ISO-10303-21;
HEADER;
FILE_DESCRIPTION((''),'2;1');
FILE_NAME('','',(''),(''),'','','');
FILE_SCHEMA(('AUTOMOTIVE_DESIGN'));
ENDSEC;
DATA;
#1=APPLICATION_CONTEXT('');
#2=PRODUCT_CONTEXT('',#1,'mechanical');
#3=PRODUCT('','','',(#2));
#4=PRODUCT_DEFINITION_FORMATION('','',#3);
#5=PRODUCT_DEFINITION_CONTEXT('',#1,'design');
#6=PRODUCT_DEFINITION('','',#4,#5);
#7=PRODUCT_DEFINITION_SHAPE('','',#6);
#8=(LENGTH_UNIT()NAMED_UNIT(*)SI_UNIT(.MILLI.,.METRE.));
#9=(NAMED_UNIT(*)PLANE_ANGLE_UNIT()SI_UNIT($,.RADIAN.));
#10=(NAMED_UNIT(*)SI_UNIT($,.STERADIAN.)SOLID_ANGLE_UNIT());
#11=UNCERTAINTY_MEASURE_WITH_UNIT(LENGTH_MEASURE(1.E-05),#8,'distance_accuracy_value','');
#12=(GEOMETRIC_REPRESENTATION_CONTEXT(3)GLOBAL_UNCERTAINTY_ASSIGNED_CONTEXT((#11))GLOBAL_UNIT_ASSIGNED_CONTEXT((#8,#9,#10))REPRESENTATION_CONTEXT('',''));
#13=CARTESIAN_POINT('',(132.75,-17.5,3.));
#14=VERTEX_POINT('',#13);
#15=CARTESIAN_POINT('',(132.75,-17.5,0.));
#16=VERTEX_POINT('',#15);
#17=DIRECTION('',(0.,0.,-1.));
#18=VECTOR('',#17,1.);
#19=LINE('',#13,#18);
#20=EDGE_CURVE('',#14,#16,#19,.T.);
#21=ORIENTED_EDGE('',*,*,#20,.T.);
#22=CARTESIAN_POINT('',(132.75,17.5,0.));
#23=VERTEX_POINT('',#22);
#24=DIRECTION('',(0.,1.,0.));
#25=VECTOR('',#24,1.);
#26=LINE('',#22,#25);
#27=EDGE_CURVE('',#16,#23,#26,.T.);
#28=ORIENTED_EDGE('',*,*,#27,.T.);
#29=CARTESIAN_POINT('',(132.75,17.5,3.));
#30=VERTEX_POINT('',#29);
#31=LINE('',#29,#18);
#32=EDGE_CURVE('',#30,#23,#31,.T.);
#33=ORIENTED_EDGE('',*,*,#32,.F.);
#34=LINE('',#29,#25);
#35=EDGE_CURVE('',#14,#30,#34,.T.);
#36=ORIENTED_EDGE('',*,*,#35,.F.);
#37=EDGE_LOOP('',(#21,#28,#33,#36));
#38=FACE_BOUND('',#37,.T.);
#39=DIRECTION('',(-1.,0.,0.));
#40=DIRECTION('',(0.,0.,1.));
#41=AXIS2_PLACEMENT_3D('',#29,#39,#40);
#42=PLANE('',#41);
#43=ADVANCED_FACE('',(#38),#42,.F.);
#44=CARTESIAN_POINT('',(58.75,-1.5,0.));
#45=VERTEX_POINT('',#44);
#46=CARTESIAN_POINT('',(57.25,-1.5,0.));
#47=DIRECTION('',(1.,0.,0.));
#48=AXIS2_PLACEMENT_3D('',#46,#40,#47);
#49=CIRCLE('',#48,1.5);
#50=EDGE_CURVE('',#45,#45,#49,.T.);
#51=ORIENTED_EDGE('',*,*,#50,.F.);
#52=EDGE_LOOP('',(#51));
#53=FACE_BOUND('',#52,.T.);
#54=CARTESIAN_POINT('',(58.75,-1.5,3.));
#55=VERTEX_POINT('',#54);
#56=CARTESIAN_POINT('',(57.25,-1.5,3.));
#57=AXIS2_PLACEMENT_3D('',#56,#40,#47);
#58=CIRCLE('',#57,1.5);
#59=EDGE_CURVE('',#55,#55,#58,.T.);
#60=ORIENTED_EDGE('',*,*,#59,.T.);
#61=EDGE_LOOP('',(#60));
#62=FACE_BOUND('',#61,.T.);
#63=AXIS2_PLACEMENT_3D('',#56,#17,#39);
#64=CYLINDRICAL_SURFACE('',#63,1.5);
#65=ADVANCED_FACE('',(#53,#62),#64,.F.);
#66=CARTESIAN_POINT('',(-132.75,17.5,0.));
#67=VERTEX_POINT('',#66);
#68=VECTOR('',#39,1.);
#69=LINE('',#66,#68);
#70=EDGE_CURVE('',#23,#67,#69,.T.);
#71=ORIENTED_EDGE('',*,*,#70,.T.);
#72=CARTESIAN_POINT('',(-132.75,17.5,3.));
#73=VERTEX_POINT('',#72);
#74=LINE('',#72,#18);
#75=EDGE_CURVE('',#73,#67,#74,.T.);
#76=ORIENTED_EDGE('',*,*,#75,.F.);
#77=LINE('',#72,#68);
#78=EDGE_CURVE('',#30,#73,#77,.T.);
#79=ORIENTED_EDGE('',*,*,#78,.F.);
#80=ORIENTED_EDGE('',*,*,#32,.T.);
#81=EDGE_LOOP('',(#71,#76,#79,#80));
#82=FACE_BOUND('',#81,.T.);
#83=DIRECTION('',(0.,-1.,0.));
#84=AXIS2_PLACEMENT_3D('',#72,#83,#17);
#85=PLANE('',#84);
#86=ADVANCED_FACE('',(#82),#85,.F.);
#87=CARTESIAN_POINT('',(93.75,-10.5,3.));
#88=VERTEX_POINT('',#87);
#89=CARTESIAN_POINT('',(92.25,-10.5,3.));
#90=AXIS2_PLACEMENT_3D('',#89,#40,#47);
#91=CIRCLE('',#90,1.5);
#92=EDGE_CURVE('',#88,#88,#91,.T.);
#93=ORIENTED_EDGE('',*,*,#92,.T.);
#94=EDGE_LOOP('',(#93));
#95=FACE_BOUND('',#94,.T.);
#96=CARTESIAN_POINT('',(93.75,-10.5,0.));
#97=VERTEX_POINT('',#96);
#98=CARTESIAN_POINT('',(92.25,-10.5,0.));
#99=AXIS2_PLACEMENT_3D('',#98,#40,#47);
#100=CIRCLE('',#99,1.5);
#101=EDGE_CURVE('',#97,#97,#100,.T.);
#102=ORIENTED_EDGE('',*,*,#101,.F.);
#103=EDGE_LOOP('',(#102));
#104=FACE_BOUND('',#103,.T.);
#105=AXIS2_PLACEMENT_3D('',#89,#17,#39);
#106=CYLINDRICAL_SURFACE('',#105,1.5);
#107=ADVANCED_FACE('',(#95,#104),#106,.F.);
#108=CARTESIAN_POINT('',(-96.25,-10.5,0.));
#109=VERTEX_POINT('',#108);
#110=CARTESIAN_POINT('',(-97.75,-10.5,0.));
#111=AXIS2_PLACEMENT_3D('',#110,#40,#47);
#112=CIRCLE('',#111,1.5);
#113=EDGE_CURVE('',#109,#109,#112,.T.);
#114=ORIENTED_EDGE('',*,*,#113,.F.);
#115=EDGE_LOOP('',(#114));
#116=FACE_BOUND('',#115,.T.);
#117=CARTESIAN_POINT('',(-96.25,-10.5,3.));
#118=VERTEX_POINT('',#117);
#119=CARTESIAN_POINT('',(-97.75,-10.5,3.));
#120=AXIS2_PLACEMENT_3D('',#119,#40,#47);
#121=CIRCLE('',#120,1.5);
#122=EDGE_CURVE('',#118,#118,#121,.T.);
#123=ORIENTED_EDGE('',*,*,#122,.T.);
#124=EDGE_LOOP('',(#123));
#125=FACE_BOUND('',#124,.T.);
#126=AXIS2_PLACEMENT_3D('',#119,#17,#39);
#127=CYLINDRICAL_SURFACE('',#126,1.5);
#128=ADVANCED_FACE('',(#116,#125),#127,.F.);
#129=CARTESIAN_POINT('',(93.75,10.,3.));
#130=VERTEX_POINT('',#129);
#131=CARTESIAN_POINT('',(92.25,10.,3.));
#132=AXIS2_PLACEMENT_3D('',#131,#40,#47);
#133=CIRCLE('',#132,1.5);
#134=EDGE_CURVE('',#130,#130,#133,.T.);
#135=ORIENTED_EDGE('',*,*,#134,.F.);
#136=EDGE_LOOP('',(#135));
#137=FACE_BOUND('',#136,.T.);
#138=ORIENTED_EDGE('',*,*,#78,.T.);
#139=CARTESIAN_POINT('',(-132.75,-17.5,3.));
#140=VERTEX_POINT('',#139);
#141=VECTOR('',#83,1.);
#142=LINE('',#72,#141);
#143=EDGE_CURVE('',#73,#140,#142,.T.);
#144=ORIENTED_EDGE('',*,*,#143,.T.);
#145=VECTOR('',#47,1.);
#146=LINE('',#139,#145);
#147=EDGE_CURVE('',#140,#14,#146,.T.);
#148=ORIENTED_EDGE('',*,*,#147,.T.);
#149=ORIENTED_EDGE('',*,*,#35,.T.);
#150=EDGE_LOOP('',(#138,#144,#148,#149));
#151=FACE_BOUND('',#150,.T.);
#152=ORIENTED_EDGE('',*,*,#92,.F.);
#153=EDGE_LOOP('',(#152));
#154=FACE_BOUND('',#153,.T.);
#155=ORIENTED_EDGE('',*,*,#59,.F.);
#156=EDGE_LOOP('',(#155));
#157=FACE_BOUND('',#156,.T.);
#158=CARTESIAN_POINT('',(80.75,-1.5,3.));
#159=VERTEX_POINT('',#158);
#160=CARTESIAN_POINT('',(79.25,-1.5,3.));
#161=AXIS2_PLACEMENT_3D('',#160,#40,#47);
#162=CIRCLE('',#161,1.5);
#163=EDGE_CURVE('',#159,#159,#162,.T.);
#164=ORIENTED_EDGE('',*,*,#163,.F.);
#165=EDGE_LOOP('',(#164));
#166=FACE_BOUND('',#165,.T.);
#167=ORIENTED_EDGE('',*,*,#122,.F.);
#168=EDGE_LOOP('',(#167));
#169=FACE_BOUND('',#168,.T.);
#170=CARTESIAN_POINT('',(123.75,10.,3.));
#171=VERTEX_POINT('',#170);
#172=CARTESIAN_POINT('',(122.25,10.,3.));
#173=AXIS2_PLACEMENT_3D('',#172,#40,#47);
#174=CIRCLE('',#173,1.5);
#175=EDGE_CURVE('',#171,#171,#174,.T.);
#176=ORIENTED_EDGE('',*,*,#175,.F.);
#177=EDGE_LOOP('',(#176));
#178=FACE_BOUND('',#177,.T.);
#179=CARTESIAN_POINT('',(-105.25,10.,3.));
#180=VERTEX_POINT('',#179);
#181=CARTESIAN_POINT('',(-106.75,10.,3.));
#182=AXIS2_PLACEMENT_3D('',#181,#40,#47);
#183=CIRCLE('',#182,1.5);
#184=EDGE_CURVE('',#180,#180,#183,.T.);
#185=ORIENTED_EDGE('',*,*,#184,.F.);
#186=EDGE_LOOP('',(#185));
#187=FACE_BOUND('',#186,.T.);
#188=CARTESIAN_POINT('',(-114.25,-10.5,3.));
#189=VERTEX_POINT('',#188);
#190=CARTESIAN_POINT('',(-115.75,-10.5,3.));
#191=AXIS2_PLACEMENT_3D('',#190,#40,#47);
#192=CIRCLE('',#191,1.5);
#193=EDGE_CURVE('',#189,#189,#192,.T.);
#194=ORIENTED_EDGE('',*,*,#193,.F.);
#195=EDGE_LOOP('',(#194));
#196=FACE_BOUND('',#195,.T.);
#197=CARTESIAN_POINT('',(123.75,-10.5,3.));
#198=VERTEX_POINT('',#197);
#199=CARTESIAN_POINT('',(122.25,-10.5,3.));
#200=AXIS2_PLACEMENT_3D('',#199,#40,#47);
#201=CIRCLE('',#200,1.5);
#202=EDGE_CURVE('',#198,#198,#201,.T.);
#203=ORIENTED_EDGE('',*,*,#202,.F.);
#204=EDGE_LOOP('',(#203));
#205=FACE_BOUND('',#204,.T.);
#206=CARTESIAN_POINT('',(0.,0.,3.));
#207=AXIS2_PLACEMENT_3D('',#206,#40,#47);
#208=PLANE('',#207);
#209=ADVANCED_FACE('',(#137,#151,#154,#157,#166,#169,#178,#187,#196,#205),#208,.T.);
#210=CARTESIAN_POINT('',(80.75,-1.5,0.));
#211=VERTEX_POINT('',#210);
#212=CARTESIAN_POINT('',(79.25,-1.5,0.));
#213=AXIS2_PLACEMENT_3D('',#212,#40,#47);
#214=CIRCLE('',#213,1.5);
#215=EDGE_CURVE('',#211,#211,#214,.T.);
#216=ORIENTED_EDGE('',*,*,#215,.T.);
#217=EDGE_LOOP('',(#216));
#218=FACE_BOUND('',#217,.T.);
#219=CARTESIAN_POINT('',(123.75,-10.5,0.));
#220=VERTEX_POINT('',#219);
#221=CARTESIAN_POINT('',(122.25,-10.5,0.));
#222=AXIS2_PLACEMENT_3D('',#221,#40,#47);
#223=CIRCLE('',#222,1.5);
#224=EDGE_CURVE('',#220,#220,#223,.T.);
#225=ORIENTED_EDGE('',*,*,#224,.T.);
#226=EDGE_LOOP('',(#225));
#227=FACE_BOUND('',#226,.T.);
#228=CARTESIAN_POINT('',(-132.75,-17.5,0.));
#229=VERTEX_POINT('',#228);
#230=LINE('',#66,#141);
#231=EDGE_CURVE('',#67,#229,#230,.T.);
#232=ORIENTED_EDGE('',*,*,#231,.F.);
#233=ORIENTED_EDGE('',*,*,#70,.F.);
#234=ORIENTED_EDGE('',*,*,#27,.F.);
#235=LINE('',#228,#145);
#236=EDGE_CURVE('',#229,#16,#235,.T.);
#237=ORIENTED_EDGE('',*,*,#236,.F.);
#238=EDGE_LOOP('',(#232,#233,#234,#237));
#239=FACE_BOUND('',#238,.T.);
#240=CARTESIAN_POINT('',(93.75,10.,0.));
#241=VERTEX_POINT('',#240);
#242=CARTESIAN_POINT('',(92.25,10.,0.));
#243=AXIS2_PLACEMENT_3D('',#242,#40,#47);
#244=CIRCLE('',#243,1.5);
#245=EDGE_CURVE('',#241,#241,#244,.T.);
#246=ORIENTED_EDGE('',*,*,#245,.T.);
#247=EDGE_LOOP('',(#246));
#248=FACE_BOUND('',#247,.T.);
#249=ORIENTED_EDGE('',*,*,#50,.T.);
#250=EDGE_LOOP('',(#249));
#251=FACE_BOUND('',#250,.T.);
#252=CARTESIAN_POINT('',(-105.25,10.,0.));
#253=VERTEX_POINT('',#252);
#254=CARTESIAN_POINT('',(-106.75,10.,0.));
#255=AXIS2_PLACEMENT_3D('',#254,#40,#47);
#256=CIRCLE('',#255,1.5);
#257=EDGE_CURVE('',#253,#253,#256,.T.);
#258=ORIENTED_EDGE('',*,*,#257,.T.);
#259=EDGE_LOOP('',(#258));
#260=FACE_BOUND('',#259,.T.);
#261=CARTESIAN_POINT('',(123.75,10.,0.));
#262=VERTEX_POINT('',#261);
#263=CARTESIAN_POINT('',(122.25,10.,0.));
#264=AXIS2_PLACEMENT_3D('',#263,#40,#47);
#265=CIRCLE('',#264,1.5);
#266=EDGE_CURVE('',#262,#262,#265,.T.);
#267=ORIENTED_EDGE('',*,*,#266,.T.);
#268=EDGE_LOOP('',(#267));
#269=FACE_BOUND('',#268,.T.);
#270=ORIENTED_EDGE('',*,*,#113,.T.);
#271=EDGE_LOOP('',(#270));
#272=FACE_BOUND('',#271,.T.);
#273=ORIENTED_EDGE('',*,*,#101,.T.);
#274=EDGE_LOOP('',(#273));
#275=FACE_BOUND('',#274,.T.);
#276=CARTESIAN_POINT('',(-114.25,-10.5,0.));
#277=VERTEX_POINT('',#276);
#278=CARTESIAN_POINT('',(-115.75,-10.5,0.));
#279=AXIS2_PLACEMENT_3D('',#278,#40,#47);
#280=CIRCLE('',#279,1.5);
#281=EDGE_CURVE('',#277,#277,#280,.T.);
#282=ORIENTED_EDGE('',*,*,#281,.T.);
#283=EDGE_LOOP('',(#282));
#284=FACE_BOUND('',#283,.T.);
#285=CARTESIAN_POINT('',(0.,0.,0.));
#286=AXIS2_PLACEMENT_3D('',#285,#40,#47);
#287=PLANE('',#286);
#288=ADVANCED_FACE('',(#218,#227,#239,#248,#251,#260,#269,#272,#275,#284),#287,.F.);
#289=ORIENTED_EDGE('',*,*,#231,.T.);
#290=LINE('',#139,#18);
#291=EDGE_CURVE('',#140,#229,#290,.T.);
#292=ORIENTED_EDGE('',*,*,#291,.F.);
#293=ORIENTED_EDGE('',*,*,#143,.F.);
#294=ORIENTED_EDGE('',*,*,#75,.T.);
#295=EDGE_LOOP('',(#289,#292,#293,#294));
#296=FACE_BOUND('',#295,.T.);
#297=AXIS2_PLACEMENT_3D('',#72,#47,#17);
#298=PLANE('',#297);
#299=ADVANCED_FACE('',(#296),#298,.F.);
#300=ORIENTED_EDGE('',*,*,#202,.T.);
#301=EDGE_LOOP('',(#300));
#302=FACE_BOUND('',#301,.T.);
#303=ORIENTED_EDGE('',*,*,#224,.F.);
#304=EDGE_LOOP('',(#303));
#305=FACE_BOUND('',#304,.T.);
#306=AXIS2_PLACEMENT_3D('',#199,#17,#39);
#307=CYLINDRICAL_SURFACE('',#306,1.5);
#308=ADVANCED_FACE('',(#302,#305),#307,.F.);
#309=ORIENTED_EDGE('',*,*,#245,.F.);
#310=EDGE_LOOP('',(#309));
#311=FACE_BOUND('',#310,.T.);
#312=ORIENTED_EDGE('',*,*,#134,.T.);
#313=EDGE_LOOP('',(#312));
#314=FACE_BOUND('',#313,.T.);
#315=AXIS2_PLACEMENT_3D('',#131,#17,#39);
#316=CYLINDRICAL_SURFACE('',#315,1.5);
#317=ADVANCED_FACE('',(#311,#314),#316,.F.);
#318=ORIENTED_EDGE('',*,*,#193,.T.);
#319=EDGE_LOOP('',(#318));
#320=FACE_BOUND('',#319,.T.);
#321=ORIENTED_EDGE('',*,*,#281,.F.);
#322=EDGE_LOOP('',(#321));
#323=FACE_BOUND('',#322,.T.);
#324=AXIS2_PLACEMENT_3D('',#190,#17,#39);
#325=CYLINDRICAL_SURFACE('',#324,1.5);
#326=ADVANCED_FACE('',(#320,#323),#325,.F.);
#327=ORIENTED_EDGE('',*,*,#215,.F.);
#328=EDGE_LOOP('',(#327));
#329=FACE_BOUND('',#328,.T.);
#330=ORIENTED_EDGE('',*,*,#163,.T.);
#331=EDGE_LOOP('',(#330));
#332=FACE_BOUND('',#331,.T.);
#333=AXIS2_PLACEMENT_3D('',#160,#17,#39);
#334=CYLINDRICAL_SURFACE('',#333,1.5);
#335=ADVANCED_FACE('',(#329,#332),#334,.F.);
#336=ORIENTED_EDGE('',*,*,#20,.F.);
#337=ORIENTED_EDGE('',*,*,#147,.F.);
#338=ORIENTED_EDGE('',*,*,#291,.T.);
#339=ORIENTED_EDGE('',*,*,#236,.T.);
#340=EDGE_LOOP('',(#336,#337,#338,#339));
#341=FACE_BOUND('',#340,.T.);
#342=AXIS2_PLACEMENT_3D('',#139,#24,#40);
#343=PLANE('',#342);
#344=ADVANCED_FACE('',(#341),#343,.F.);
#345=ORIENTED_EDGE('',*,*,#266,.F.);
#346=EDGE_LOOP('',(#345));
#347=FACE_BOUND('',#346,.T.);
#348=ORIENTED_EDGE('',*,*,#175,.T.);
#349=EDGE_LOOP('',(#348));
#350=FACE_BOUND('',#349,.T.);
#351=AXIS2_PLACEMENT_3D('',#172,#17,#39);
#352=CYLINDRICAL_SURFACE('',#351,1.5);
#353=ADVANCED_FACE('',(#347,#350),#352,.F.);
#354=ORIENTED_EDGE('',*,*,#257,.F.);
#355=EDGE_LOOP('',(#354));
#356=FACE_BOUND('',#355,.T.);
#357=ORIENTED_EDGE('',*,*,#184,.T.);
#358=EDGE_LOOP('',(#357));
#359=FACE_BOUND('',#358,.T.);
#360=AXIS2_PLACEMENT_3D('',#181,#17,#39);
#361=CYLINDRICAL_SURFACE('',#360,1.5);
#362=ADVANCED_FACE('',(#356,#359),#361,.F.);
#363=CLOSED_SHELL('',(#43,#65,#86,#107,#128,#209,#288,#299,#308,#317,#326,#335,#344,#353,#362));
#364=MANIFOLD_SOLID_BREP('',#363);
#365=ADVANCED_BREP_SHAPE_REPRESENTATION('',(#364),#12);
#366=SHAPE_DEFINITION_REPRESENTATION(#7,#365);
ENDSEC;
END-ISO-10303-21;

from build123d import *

# Parameters (mm, degrees)
CROQUIS1_W              = 265.5
CROQUIS1_H              = 35
CROQUIS1_R              = 1.5
SALIENTE_EXTRUIR1_DEPTH = 3


with BuildPart() as part:
    # Croquis1 → Saliente-Extruir1 (new body)
    with BuildSketch(Plane.XY):
        Rectangle(CROQUIS1_W, CROQUIS1_H)
        with Locations((79.25, -1.5)):
            Circle(CROQUIS1_R, mode=Mode.SUBTRACT)
        with Locations((-115.75, -10.5)):
            Circle(CROQUIS1_R, mode=Mode.SUBTRACT)
        with Locations((-97.75, -10.5)):
            Circle(CROQUIS1_R, mode=Mode.SUBTRACT)
        with Locations((-106.75, 10)):
            Circle(CROQUIS1_R, mode=Mode.SUBTRACT)
        with Locations((122.25, 10)):
            Circle(CROQUIS1_R, mode=Mode.SUBTRACT)
        with Locations((92.25, 10)):
            Circle(CROQUIS1_R, mode=Mode.SUBTRACT)
        with Locations((92.25, -10.5)):
            Circle(CROQUIS1_R, mode=Mode.SUBTRACT)
        with Locations((122.25, -10.5)):
            Circle(CROQUIS1_R, mode=Mode.SUBTRACT)
        with Locations((57.25, -1.5)):
            Circle(CROQUIS1_R, mode=Mode.SUBTRACT)
    extrude(amount=SALIENTE_EXTRUIR1_DEPTH)


solid = part.part
